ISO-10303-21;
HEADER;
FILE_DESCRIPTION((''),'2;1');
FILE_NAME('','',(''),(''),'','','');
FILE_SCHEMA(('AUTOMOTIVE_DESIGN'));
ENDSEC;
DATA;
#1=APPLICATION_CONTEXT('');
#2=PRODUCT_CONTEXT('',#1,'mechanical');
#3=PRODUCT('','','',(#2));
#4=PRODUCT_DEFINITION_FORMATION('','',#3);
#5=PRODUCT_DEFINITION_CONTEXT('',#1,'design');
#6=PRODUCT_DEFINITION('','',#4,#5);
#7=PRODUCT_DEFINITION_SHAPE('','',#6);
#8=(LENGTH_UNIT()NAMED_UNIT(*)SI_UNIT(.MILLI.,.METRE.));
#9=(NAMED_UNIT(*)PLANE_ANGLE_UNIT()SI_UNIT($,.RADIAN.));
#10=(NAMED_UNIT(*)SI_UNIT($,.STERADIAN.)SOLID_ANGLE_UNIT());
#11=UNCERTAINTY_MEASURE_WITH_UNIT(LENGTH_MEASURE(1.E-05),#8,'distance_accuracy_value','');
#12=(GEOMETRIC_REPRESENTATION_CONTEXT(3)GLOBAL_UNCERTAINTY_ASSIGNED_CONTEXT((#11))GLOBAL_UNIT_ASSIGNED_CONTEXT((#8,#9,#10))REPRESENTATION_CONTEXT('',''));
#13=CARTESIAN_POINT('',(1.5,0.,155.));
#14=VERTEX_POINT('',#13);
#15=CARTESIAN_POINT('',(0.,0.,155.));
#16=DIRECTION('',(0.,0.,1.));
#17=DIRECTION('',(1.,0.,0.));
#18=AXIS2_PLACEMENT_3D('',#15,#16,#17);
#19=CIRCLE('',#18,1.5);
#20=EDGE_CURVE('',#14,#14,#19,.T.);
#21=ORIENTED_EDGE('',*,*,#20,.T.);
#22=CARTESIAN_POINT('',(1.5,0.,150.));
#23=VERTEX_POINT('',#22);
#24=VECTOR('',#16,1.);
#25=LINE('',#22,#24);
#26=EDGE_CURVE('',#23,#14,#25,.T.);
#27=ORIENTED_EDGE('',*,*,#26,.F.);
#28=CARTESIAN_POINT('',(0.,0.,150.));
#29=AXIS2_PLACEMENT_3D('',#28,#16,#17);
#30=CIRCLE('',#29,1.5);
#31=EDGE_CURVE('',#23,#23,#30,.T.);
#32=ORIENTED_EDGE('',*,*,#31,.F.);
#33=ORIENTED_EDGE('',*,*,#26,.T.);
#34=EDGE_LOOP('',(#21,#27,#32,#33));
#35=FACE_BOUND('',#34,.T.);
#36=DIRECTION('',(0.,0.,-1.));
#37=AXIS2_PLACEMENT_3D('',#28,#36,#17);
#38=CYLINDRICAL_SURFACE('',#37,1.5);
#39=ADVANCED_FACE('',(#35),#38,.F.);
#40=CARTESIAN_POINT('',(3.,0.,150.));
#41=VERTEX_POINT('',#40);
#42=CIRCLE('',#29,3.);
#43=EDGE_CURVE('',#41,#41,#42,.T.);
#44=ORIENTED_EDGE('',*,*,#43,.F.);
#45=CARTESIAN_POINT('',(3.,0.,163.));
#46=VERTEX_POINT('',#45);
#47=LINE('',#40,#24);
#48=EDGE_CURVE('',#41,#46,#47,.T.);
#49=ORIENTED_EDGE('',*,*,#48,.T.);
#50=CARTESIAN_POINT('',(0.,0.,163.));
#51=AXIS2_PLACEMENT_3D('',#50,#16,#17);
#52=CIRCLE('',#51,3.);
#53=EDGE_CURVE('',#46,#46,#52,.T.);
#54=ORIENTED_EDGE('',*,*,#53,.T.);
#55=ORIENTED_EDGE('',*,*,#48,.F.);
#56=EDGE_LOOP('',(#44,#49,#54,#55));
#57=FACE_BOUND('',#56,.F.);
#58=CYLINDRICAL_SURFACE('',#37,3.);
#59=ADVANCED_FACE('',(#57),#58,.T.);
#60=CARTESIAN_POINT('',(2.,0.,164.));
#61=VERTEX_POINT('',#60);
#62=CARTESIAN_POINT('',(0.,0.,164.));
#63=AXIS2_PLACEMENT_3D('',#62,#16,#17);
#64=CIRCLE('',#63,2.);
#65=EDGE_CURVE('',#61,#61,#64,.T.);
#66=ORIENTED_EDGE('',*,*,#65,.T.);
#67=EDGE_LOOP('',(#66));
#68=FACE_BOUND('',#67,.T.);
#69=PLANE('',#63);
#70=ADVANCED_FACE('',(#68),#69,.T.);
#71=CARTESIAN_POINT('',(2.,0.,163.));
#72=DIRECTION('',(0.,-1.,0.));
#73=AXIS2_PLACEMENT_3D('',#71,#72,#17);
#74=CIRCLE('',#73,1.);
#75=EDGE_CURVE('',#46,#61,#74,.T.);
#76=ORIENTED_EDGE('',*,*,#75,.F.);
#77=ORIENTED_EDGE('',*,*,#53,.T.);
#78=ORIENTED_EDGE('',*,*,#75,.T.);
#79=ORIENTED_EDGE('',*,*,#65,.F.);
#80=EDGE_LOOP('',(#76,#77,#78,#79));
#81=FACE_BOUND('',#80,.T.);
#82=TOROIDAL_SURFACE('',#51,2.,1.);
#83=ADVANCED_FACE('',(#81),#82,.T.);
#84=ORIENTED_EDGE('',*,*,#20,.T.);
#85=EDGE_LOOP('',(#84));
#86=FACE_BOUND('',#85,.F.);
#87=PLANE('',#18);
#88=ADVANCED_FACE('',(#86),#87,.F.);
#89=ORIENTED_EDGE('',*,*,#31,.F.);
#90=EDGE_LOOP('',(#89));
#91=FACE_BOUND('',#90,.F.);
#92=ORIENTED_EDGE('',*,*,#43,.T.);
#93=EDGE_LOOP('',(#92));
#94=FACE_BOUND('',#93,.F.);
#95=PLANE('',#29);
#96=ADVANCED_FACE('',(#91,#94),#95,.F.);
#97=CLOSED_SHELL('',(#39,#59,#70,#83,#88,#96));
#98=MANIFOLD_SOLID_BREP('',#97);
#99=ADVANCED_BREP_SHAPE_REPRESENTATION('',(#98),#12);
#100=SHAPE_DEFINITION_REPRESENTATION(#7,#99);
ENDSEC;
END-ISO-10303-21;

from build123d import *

# Parameters (mm, degrees)
CYLINDER009_R     = 1.5
CYLINDER009_DEPTH = 5
CYLINDER006_R     = 3
CYLINDER006_DEPTH = 14
FILLET_R          = 1


with BuildPart() as cylinder009:
    # Cylinder009 → Cylinder009 (new body)
    with BuildSketch(Plane.XY.offset(150)):
        Circle(CYLINDER009_R)
    extrude(amount=CYLINDER009_DEPTH)


with BuildPart() as cut005:
    # Cylinder006 → Cylinder006 (new body)
    with BuildSketch(Plane.XY.offset(150)):
        Circle(CYLINDER006_R)
    extrude(amount=CYLINDER006_DEPTH)

    # Fillet
    fillet_edges = [cut005.edges().sort_by_distance(p)[0] for p in [
        (-3, 0, 164),
    ]]
    fillet(fillet_edges, radius=FILLET_R)

    # Cut005: cut Cylinder009
    add(cylinder009.part, mode=Mode.SUBTRACT)


solid = cut005.part
